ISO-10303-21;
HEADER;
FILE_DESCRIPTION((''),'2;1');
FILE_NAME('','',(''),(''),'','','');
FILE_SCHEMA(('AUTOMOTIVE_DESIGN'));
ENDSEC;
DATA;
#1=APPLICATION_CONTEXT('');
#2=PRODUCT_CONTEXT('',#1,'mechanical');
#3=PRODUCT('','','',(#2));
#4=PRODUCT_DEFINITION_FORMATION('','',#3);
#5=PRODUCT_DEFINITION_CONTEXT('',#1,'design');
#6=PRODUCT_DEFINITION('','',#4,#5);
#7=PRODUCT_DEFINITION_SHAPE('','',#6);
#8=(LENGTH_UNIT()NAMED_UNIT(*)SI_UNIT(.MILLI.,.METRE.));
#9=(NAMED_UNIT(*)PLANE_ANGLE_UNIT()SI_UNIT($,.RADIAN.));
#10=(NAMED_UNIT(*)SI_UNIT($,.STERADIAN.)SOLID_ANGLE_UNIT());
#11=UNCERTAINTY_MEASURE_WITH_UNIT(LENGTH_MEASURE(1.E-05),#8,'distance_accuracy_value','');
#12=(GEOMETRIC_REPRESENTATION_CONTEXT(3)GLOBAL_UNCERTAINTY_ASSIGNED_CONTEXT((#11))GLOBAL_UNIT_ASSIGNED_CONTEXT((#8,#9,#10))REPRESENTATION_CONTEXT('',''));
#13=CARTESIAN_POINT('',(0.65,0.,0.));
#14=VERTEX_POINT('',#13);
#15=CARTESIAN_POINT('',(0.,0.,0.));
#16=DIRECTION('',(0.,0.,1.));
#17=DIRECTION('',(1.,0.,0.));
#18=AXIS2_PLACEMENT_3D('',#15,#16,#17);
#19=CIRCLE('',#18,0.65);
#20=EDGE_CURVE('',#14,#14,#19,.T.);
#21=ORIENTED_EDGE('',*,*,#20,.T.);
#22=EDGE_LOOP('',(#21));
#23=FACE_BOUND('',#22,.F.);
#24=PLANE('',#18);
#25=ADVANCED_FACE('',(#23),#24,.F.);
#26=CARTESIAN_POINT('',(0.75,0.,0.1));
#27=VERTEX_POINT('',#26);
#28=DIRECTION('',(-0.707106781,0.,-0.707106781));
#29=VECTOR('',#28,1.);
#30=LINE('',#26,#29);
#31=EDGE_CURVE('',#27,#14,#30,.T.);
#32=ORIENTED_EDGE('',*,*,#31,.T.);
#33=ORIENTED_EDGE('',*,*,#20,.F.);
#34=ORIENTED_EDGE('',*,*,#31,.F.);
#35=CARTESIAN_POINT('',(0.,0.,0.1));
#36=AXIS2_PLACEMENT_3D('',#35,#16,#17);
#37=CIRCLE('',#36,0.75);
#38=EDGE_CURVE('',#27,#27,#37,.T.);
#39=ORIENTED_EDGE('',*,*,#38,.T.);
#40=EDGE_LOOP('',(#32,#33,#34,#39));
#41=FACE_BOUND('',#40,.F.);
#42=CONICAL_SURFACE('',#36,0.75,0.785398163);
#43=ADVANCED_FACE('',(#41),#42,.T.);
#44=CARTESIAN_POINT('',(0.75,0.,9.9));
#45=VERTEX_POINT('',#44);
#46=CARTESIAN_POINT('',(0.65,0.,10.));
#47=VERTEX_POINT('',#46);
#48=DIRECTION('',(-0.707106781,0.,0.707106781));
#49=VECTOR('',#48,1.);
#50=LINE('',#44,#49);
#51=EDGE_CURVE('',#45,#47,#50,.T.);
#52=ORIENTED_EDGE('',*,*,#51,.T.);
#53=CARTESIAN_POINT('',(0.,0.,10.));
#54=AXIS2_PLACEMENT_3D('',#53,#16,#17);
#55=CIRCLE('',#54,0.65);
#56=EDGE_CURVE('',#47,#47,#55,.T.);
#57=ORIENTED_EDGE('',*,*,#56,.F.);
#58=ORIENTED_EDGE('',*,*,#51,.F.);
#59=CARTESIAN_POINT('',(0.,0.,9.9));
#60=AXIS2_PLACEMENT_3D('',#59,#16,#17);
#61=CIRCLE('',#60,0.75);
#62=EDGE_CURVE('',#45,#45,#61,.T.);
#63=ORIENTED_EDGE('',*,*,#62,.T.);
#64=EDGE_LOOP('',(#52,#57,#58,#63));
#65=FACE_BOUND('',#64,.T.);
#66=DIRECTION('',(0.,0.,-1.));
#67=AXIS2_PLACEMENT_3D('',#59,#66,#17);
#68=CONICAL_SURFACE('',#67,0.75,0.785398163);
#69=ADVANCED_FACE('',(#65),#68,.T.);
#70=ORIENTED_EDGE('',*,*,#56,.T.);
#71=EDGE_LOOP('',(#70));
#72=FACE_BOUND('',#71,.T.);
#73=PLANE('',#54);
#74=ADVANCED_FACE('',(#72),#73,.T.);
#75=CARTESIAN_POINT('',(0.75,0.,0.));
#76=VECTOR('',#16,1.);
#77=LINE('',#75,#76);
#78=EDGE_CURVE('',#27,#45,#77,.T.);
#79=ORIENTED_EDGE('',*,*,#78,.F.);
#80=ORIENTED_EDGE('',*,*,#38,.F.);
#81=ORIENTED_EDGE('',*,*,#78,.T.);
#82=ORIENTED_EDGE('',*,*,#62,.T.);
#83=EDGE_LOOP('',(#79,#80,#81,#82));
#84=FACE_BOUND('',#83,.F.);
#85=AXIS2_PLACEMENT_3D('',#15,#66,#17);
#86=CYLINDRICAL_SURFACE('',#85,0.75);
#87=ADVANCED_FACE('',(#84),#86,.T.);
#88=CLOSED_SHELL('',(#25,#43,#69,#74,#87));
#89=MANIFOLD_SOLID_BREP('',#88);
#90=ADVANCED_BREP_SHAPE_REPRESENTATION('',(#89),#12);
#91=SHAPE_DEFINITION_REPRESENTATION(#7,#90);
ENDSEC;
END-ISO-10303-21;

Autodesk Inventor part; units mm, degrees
ref_plane "YZ Plane" through (0, 0, 0) normal (1, 0, 0) x (0, 1, 0)
ref_plane "XZ Plane" through (0, 0, 0) normal (0, 1, 0) x (-1, 0, 0)
ref_plane "XY Plane" through (0, 0, 0) normal (0, 0, 1) x (1, 0, 0)
sketch "スケッチ1" plane through (0, 0, 0) normal (0, 0, 1) x (1, 0, 0)
  circle A0 centre (0, 0) radius 0.75
  dimension "d0" = 1.5
extrude "押し出し1" add sketch "スケッチ1" along normal blind 10
chamfer "面取り1" distance 0.1 angle 45 2 edges at (-0.75, 0, 10) (-0.75, 0, 0)
properties part number "shaft_phi1.5_l6" material "鋼"
